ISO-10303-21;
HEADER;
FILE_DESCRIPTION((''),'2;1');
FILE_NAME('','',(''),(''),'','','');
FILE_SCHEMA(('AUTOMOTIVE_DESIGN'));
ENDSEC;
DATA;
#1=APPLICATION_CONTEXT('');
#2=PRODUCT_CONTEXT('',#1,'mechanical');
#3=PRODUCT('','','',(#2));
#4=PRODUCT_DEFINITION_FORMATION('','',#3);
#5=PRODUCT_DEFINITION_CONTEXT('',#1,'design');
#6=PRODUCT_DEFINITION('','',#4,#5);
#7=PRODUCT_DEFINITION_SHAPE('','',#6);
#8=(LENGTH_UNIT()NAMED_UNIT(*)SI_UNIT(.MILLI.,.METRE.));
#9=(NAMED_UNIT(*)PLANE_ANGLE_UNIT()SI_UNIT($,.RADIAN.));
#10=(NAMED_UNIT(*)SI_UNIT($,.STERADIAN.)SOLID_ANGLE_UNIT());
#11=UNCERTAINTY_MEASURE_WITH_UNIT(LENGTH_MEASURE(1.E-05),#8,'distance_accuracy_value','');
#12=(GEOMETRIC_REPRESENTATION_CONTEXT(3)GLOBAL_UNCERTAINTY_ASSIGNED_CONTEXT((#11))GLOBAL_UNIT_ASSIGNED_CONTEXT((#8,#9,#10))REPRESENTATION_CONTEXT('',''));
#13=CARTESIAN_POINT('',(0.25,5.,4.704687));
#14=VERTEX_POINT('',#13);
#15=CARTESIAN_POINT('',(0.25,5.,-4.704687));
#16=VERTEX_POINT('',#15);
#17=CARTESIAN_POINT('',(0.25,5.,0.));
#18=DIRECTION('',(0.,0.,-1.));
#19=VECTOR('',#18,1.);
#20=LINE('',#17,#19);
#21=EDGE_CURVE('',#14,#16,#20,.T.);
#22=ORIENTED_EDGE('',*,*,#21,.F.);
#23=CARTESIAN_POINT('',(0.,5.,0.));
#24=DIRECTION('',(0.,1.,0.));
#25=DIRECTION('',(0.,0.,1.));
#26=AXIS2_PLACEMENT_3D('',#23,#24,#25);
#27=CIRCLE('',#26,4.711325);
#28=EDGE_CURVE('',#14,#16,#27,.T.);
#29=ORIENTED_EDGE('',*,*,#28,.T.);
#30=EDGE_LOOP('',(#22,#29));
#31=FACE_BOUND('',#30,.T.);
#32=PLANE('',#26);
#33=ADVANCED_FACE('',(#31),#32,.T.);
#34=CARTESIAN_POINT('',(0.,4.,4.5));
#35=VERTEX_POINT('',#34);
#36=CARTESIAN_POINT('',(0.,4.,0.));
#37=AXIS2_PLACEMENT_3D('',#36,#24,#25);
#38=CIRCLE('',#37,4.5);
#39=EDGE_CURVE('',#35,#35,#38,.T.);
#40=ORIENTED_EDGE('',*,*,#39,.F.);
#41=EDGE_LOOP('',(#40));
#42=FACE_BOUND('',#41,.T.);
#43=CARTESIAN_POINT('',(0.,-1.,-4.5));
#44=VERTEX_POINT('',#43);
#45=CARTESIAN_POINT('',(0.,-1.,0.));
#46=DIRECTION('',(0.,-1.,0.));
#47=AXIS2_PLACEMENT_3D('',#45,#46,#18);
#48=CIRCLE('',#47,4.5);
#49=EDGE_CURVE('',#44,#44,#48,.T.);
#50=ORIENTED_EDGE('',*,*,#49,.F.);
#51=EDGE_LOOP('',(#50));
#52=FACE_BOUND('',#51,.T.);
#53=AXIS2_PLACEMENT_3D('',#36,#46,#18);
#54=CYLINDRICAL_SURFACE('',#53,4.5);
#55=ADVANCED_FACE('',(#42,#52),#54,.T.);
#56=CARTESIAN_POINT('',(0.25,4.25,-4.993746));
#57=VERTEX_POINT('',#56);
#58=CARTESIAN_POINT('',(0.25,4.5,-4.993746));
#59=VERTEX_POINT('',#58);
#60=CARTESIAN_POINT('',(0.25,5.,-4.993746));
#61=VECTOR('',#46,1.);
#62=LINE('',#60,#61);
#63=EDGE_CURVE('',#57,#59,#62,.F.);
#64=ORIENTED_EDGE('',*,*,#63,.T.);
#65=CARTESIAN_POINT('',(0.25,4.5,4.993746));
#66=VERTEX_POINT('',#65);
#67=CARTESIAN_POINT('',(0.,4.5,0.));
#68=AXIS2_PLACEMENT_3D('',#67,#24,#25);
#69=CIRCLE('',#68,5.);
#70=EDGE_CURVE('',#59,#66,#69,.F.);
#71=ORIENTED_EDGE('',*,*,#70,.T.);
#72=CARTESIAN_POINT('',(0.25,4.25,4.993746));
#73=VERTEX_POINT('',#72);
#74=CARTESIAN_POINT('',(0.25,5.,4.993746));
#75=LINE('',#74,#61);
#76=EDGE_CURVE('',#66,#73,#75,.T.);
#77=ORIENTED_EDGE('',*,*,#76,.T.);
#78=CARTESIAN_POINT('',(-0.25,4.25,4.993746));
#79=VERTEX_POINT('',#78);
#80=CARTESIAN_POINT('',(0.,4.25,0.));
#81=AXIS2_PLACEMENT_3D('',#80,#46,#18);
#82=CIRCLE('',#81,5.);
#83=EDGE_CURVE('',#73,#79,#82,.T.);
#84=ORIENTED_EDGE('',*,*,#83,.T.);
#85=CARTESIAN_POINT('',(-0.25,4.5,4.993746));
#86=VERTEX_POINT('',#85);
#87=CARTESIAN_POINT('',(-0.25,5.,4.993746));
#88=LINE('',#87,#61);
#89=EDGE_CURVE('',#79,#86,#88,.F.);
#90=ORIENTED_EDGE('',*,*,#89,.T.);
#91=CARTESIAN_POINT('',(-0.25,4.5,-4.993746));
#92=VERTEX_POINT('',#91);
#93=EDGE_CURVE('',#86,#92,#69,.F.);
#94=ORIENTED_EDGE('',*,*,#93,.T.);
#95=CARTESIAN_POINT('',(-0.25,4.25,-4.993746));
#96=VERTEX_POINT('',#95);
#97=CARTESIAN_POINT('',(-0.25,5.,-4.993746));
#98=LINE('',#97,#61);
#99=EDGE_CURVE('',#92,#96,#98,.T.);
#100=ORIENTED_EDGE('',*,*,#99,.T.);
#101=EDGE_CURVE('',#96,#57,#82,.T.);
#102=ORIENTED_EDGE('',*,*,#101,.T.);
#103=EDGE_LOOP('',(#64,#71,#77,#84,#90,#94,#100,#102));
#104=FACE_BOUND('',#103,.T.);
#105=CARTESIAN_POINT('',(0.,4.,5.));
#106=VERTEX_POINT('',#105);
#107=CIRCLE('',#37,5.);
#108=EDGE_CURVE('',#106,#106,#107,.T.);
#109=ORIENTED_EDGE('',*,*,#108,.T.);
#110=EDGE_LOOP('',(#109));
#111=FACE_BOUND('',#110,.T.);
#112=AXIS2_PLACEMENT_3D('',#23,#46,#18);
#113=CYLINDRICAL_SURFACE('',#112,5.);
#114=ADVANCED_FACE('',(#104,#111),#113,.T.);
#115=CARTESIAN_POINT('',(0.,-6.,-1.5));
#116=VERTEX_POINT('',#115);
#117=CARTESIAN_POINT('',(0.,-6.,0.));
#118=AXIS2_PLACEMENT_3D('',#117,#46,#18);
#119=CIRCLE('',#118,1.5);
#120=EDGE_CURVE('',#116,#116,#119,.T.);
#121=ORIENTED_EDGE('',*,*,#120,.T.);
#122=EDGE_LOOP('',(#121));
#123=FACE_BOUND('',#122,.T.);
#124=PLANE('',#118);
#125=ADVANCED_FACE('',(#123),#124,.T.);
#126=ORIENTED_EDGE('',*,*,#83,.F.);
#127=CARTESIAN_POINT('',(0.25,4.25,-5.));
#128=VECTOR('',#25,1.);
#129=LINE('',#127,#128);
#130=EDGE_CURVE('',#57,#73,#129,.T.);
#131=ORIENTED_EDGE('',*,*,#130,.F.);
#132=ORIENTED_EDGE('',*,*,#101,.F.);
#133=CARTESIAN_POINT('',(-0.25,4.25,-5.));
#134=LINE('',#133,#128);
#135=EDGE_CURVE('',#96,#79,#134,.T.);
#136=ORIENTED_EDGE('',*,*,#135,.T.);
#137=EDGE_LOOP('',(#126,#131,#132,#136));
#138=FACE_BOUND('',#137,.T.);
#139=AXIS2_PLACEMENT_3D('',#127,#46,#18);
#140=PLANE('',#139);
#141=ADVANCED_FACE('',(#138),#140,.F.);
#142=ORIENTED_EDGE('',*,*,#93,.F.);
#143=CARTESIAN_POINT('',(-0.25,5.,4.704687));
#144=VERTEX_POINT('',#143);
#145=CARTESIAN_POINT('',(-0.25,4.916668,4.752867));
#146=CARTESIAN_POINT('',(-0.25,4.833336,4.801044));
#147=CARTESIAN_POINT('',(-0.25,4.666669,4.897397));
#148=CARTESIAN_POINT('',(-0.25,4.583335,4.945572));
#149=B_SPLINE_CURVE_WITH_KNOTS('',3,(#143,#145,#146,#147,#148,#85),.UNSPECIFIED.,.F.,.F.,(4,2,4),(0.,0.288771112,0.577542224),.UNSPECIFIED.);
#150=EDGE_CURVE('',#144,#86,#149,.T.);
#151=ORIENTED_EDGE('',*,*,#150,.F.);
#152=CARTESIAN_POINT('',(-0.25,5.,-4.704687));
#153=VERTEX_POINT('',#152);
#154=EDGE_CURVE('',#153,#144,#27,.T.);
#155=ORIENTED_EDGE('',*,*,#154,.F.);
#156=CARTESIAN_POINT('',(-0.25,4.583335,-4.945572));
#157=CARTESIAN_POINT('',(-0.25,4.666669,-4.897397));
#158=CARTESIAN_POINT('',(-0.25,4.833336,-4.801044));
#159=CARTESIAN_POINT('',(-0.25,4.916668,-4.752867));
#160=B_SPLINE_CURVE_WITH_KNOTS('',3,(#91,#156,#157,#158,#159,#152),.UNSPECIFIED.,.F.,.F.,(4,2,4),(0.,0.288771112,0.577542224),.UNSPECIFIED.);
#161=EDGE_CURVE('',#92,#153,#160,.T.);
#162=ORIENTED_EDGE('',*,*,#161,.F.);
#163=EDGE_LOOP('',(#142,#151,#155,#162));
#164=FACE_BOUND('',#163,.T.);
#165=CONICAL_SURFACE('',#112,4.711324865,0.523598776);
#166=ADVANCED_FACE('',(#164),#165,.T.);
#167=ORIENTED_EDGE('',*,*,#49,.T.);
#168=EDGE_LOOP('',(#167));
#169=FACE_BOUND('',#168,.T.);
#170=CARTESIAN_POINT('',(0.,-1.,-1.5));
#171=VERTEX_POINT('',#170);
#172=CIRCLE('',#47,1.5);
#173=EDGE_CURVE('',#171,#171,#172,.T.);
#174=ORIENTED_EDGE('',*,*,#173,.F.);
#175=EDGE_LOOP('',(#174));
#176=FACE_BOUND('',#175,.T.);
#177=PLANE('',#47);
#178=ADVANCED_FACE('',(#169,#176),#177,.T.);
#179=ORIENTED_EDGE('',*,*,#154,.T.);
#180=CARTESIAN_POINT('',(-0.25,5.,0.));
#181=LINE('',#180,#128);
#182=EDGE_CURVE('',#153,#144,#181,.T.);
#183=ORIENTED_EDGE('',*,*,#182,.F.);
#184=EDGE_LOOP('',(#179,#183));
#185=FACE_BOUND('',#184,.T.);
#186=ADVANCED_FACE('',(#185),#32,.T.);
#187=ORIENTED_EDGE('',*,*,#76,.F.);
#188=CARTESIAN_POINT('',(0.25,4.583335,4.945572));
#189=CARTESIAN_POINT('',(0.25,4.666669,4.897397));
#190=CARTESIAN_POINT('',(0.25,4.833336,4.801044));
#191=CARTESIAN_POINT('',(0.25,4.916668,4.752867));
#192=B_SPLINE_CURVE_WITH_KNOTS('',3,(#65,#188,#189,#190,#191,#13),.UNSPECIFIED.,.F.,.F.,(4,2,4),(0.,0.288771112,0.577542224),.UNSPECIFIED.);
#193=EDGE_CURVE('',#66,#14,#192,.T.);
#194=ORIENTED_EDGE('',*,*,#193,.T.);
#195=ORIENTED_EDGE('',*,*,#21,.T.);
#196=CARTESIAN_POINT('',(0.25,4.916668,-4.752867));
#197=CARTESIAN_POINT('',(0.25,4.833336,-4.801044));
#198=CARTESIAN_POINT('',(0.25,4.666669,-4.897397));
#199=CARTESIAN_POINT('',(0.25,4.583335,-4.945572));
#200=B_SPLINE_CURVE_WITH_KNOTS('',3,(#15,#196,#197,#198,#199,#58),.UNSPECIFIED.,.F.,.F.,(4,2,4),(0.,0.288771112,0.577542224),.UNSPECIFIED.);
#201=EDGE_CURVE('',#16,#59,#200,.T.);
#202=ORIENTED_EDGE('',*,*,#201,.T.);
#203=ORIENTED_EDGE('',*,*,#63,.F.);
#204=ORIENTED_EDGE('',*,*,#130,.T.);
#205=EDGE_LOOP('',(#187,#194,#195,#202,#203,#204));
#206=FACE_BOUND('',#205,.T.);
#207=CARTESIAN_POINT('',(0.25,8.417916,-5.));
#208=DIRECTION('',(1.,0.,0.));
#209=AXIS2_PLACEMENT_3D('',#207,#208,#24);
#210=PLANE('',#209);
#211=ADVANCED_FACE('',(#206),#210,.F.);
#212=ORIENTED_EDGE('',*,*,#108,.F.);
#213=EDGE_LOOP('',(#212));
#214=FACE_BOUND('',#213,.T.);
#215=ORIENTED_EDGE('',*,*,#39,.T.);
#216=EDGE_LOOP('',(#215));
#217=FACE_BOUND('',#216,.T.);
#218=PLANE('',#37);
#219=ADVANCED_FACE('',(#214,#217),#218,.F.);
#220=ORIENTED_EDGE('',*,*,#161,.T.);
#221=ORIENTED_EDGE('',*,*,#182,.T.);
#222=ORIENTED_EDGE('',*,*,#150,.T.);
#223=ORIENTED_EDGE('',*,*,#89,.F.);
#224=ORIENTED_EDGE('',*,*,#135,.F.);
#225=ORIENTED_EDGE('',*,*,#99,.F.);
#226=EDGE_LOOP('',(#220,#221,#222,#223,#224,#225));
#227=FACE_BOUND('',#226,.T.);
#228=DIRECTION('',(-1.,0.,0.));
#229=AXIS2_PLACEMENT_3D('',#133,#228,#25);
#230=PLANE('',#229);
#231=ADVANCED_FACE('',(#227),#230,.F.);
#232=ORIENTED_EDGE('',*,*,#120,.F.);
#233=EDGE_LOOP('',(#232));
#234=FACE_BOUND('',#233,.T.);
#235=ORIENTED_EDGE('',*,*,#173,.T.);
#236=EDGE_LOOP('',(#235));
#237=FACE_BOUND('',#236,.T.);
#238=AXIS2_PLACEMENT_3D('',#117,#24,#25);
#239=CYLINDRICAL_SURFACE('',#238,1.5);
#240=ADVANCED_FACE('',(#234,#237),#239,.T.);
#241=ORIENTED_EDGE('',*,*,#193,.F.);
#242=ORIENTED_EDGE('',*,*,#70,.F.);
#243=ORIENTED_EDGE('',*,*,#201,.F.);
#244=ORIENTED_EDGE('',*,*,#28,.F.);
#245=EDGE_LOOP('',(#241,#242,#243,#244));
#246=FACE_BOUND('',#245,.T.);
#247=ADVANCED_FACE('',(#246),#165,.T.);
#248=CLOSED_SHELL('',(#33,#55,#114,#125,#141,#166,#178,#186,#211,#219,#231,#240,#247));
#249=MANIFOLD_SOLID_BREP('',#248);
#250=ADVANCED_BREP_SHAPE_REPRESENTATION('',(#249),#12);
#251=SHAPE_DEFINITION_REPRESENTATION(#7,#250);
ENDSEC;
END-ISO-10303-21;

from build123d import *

# Parameters (mm, degrees)
CROQUIS1_R                 = 4.5
SALIENTE_EXTRUIR1_DEPTH    = 4
CROQUIS2_R                 = 5
SALIENTE_EXTRUIR2_DEPTH    = 1
CROQUIS3_W                 = 0.5
CROQUIS3_H                 = 4.167915925
CORTAR_EXTRUIR1_DEPTH      = 6
CORTAR_EXTRUIR1_DEPTH_BACK = 6
CHAFL_N1_SIZE              = 0.5
CHAFL_N1_SIZE2             = 0.288675135
CROQUIS4_R                 = 4.5
SALIENTE_EXTRUIR3_DEPTH    = 1
CROQUIS5_R                 = 1.5
SALIENTE_EXTRUIR4_DEPTH    = 5


with BuildPart() as part:
    # Croquis1 → Saliente-Extruir1 (new body)
    with BuildSketch(Plane(origin=(0, 0, 0), x_dir=(1, 0, 0), z_dir=(0, 1, 0))):
        Circle(CROQUIS1_R)
    extrude(amount=SALIENTE_EXTRUIR1_DEPTH)

    # Croquis2 → Saliente-Extruir2 (add)
    with BuildSketch(Plane(origin=(0, 4, 0), x_dir=(1, 0, 0), z_dir=(0, 1, 0))):
        Circle(CROQUIS2_R)
    extrude(amount=SALIENTE_EXTRUIR2_DEPTH)

    # Croquis3 → Cortar-Extruir1 (cut, two sides)
    with BuildSketch(Plane.XY) as cortar_extruir1_sk:
        with Locations((0, 6.333957963)):
            Rectangle(CROQUIS3_W, CROQUIS3_H)
    extrude(amount=CORTAR_EXTRUIR1_DEPTH, mode=Mode.SUBTRACT)
    extrude(cortar_extruir1_sk.sketch, amount=-CORTAR_EXTRUIR1_DEPTH_BACK, mode=Mode.SUBTRACT)

    # Chaflán1
    chafl_n1_edges = [part.edges().sort_by_distance(p)[0] for p in [
        (-5, 5, 0),
        (3.622844187, 5, 3.446012188),
    ]]
    chafl_n1_side = [part.faces().sort_by_distance(p)[0] for p in [
        (-5, 4.5, 0),
    ]]
    chamfer(chafl_n1_edges, length=CHAFL_N1_SIZE, length2=CHAFL_N1_SIZE2, reference=chafl_n1_side[0])

    # Croquis4 → Saliente-Extruir3 (add)
    with BuildSketch(Plane.XZ):
        Circle(CROQUIS4_R)
    extrude(amount=SALIENTE_EXTRUIR3_DEPTH)

    # Croquis5 → Saliente-Extruir4 (add)
    with BuildSketch(Plane(origin=(0, -1, 0), x_dir=(-1, 0, 0), z_dir=(0, -1, 0))):
        Circle(CROQUIS5_R)
    extrude(amount=SALIENTE_EXTRUIR4_DEPTH)


solid = part.part
